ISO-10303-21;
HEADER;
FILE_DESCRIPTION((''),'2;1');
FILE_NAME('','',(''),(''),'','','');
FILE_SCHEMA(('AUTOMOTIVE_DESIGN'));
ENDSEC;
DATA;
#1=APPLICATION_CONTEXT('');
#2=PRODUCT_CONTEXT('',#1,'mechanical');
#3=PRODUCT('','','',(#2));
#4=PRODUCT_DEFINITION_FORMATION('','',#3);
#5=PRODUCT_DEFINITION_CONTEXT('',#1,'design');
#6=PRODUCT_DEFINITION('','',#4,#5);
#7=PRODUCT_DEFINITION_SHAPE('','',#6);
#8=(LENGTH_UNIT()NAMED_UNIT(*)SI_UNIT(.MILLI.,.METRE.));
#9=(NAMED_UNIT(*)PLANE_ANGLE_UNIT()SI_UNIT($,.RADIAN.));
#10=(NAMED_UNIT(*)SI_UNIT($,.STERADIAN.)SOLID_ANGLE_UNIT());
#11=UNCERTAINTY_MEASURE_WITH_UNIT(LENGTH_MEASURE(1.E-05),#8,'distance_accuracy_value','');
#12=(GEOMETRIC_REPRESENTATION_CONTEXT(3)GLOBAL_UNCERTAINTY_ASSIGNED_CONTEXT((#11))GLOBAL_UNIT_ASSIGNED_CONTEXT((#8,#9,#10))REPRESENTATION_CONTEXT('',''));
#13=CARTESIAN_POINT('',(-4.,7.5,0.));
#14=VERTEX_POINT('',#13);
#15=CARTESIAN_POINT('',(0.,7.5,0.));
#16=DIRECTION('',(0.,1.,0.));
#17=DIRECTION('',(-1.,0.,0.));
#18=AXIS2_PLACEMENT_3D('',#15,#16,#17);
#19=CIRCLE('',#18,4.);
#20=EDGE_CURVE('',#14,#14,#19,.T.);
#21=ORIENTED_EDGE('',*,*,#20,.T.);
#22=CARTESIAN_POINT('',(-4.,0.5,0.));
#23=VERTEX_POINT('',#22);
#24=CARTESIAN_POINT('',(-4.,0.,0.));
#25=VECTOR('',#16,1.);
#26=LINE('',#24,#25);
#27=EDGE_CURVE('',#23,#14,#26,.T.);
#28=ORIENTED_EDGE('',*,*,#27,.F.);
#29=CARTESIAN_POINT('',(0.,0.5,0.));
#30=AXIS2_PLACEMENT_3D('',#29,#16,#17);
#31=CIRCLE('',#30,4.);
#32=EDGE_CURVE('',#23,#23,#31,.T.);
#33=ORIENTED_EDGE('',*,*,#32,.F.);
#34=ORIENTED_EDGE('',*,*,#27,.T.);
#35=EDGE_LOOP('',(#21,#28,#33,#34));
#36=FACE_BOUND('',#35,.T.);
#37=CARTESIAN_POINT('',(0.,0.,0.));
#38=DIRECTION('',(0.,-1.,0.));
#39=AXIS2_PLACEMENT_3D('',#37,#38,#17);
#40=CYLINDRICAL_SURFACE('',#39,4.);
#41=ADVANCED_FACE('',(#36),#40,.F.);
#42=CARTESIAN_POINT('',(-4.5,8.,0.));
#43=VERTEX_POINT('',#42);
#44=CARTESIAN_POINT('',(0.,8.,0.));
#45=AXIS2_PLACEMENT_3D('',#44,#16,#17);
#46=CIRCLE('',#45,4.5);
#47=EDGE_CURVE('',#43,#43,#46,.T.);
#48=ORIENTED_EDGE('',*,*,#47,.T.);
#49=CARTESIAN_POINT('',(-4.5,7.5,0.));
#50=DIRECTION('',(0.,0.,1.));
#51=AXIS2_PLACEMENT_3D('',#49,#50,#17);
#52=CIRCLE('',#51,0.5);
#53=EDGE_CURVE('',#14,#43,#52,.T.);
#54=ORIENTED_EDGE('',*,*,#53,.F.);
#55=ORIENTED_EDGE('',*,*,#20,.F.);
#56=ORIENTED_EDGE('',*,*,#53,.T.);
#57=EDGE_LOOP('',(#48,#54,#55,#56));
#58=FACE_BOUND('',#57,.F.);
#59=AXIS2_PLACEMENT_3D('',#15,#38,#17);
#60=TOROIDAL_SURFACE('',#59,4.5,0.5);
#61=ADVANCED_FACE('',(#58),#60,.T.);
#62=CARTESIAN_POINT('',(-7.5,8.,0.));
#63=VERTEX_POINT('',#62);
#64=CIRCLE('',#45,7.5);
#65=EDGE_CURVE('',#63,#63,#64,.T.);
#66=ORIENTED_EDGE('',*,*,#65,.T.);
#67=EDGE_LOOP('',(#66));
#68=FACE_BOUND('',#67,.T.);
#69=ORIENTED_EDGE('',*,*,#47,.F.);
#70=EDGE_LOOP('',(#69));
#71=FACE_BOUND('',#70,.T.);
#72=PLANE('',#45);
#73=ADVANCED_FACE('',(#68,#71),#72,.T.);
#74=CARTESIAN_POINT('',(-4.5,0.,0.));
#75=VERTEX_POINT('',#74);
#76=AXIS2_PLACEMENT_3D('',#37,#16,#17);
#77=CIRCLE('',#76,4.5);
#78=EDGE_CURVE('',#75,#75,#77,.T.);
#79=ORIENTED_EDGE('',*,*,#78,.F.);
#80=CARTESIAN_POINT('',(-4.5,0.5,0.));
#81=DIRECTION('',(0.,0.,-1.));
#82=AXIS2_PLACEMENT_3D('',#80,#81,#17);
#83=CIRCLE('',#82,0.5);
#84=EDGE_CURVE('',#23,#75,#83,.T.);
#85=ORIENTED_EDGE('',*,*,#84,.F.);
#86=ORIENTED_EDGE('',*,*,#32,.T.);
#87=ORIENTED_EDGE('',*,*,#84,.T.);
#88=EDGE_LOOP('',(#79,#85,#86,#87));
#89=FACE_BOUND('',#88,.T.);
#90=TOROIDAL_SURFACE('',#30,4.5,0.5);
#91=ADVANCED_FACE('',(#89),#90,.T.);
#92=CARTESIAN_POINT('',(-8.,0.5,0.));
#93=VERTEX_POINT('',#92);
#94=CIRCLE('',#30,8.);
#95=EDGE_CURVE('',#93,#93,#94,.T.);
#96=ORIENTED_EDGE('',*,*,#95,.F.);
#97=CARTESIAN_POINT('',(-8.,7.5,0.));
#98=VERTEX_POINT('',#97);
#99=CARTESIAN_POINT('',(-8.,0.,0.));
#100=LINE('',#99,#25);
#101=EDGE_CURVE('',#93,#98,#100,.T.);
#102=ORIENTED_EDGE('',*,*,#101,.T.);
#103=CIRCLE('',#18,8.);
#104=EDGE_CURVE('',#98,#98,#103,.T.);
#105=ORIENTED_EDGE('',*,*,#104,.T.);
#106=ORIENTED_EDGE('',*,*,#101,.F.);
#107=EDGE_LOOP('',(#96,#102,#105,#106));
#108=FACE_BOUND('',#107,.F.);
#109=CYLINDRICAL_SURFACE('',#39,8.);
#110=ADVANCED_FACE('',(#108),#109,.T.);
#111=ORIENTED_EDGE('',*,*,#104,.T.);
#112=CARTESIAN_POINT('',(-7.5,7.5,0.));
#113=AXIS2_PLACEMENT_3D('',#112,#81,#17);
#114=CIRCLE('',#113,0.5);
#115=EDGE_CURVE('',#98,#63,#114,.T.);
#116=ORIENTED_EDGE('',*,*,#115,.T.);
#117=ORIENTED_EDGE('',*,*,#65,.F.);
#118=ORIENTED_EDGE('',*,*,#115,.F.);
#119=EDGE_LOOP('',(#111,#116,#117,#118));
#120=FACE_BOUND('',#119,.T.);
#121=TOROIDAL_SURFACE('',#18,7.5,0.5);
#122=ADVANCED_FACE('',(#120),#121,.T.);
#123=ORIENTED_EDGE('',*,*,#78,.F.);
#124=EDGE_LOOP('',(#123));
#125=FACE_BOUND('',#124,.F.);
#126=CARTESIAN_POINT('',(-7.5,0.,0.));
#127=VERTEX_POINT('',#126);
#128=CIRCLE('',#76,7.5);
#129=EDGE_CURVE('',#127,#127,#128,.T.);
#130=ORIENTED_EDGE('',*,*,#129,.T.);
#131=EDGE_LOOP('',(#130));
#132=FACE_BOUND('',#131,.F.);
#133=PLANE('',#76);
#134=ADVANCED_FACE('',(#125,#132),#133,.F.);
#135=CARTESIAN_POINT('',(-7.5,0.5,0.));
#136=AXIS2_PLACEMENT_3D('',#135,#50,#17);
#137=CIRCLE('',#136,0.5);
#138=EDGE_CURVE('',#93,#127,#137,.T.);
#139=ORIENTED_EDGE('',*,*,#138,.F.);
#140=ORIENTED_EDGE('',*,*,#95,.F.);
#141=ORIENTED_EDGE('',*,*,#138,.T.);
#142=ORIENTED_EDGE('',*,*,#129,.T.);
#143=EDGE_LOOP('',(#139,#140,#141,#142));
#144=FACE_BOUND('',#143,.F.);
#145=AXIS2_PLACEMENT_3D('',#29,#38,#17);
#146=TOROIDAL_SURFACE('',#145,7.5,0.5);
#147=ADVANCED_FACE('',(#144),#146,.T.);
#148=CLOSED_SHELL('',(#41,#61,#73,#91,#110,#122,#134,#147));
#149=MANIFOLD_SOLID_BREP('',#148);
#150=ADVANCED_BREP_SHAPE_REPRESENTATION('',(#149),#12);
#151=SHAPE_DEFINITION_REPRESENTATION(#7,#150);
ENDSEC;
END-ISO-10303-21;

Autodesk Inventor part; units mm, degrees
ref_plane "YZ Plane" through (0, 0, 0) normal (1, 0, 0) x (0, 1, 0)
ref_plane "XZ Plane" through (0, 0, 0) normal (0, 1, 0) x (-1, 0, 0)
ref_plane "XY Plane" through (0, 0, 0) normal (0, 0, 1) x (1, 0, 0)
sketch "Sketch1" plane through (0, 0, 0) normal (0, 1, 0) x (-1, 0, 0)
  circle A0 centre (0, 0) radius 4
  circle A1 centre (0, 0) radius 8
  dimension "d0" = 8
  dimension "d1" = 16
extrude "Extrusion1" add sketch "Sketch1" along normal blind 8
fillet "Fillet1" radius 0.5 4 edges at (4, 8, 0) (8, 8, 0) (8, 0, 0) (4, 0, 0)
